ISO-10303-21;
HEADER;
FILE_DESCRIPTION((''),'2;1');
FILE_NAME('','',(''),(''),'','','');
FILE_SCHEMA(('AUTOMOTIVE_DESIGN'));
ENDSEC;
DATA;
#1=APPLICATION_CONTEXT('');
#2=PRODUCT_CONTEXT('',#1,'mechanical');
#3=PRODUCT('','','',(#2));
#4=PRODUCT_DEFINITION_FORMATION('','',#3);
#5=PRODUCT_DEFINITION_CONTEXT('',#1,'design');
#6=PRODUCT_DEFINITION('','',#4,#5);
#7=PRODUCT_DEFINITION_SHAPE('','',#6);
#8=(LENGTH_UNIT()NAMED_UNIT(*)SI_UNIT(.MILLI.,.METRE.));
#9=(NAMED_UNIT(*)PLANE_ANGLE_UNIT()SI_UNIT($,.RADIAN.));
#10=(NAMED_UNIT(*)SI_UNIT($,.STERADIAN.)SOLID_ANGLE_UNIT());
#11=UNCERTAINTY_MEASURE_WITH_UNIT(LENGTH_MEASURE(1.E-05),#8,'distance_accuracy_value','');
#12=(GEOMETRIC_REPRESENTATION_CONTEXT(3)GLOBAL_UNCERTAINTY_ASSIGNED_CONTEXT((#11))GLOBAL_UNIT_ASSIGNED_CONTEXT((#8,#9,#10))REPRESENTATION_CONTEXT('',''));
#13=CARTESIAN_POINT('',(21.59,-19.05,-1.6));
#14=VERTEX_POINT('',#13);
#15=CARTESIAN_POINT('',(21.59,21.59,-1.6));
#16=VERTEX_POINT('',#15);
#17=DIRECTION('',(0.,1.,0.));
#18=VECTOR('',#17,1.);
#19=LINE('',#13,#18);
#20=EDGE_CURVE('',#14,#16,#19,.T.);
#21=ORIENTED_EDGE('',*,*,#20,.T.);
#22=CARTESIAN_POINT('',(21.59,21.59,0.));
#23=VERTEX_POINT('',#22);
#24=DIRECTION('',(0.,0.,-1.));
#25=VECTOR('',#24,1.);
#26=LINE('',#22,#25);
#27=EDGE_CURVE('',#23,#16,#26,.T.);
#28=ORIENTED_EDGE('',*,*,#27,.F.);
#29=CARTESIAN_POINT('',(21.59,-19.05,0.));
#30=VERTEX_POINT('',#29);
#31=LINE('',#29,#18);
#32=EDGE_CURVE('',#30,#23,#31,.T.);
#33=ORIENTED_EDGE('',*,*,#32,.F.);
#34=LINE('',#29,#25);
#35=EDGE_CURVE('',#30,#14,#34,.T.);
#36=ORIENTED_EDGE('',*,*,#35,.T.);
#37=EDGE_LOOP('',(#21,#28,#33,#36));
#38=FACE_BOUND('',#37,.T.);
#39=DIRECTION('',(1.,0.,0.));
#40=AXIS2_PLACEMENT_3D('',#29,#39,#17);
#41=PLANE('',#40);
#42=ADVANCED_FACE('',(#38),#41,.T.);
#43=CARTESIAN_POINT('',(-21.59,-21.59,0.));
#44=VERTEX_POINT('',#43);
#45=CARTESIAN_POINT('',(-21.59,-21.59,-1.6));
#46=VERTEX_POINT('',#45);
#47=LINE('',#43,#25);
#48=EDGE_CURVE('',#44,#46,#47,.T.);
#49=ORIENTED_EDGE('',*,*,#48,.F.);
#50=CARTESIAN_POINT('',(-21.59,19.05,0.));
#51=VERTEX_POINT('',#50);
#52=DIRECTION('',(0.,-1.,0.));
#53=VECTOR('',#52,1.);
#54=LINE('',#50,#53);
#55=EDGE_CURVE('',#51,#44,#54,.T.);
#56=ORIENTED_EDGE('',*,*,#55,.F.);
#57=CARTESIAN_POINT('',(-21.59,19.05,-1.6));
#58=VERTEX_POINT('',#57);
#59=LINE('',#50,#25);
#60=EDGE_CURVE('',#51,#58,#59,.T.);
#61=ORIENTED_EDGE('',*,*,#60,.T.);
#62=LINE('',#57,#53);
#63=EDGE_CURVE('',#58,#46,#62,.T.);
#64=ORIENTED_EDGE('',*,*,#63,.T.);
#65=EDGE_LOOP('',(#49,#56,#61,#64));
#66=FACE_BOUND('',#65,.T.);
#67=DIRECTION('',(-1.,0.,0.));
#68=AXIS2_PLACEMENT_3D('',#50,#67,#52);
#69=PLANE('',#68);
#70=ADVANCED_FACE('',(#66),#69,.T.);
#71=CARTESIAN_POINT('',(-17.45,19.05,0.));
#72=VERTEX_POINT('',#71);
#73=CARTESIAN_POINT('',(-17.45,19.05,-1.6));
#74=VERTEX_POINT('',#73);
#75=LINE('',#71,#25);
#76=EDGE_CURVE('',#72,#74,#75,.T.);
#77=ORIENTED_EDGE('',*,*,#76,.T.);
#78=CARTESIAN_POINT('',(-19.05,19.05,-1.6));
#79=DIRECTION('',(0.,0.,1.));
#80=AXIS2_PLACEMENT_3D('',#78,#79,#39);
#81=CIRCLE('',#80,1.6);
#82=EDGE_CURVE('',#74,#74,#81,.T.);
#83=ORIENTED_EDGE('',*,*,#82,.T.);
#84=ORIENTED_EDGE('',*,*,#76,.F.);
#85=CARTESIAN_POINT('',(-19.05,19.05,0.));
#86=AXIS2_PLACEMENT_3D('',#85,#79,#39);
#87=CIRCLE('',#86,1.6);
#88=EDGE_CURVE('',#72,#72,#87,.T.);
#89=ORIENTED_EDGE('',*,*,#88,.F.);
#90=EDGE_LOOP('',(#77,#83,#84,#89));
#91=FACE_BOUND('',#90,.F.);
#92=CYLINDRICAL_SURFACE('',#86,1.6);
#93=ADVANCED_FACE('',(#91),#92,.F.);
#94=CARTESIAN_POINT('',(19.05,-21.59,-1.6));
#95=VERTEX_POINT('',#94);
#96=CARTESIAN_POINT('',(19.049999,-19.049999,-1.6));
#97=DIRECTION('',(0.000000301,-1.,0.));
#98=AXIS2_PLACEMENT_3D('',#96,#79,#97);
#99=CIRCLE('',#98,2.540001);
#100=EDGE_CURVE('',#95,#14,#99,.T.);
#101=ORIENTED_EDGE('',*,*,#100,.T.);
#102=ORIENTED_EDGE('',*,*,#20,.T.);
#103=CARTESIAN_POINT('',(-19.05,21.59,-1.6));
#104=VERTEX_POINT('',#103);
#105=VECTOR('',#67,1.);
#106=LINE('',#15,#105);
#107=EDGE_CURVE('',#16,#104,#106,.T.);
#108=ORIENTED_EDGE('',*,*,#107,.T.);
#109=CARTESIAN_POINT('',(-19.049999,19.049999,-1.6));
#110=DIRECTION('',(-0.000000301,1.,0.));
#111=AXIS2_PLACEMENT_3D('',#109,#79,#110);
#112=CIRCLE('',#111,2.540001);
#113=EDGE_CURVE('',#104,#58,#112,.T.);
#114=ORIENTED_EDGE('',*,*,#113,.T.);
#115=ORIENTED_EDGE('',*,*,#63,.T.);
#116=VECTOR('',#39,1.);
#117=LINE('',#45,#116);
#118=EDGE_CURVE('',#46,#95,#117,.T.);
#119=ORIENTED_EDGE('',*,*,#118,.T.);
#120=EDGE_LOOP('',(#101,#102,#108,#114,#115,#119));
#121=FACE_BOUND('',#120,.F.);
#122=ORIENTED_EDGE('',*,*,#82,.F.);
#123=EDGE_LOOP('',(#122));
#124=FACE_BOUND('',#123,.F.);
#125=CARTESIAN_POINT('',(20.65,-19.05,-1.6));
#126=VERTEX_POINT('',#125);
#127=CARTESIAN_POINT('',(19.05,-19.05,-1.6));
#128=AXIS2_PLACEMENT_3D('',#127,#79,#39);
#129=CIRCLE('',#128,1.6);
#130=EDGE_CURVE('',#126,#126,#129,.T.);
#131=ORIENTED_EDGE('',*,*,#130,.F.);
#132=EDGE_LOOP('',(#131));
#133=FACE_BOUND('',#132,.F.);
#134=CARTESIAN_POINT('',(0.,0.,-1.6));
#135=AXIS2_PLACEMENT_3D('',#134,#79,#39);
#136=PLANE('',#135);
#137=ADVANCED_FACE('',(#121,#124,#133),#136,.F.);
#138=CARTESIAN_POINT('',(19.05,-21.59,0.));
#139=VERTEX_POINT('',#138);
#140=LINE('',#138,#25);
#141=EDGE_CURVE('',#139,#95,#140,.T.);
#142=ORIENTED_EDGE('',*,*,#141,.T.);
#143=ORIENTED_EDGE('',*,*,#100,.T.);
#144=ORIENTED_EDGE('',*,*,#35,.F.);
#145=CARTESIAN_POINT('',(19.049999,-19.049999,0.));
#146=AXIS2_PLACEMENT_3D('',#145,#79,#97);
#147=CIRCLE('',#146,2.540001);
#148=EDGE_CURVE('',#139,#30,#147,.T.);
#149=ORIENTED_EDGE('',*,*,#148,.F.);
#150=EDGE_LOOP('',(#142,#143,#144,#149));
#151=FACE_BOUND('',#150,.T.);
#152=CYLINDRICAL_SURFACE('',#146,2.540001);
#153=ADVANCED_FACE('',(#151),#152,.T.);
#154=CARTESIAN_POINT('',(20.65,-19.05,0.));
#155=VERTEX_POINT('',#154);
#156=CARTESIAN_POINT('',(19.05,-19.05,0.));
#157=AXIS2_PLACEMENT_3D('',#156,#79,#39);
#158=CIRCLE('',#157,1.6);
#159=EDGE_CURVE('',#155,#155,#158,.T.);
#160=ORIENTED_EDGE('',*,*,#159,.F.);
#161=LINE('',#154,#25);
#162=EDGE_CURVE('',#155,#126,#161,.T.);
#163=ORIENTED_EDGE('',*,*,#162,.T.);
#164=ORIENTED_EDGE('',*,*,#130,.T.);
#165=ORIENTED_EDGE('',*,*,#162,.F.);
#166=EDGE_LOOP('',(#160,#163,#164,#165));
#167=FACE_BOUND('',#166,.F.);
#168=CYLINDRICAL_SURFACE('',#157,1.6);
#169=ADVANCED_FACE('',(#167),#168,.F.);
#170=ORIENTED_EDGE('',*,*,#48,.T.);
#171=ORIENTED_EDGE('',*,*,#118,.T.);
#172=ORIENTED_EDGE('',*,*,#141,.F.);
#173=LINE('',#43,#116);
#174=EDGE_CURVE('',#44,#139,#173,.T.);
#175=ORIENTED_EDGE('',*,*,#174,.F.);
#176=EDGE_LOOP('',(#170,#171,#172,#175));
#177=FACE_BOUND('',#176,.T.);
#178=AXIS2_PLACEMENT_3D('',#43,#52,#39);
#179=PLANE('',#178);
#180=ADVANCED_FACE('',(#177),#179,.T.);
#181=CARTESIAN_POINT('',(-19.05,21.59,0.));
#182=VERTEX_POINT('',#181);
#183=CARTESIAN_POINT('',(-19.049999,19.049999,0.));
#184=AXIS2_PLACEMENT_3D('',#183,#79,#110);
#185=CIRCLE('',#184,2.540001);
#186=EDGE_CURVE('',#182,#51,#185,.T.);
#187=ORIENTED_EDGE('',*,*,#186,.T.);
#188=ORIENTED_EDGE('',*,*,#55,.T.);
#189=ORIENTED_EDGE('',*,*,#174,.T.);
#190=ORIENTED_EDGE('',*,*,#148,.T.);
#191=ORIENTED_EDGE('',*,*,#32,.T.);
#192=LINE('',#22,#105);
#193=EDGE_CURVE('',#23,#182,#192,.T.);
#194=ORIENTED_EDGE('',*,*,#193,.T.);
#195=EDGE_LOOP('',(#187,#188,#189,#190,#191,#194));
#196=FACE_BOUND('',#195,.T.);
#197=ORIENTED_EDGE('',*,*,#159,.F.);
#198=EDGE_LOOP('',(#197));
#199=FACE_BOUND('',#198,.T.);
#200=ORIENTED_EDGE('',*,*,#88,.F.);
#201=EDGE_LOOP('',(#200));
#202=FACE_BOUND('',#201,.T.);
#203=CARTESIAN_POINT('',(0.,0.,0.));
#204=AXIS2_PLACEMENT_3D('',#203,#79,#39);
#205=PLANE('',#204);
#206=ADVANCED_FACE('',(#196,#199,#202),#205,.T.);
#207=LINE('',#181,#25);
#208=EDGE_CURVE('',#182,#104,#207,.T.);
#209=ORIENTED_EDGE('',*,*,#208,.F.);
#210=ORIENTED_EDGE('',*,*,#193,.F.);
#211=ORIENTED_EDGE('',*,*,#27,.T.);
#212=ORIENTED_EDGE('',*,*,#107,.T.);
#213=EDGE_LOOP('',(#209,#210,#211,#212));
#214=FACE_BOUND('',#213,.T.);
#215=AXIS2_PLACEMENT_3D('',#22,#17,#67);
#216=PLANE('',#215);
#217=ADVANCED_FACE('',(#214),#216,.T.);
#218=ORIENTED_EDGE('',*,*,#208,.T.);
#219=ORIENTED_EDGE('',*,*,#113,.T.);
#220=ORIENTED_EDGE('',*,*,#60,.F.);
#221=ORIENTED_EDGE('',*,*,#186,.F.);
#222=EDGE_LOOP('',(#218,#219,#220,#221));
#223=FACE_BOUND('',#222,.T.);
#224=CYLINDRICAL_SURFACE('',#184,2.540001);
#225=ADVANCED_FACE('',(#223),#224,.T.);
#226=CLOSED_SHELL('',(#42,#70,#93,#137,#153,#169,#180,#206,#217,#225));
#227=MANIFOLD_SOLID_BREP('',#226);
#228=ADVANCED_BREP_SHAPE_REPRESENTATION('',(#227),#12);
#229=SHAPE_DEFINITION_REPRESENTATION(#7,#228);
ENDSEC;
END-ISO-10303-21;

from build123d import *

# Parameters (mm, degrees)
F0_R     = 1.6
F1_DEPTH = 1.6


with BuildPart() as f1:
    # F0 (on Top) → F1 (new body)
    with BuildSketch(Plane.XY):
        with BuildLine():
            Line((21.59, 21.59), (-19.05, 21.59))
            ThreePointArc((-19.05, 21.59), (-20.846051, 20.846051), (-21.59, 19.05))
            Line((-21.59, 19.05), (-21.59, -21.59))
            Line((-21.59, -21.59), (19.05, -21.59))
            ThreePointArc((19.05, -21.59), (20.846051, -20.846051), (21.59, -19.05))
            Line((21.59, -19.05), (21.59, 21.59))
        make_face()
        with Locations((19.05, -19.05)):
            Circle(F0_R, mode=Mode.SUBTRACT)
        with Locations((-19.05, 19.05)):
            Circle(F0_R, mode=Mode.SUBTRACT)
    extrude(amount=-F1_DEPTH)


solid = f1.part
